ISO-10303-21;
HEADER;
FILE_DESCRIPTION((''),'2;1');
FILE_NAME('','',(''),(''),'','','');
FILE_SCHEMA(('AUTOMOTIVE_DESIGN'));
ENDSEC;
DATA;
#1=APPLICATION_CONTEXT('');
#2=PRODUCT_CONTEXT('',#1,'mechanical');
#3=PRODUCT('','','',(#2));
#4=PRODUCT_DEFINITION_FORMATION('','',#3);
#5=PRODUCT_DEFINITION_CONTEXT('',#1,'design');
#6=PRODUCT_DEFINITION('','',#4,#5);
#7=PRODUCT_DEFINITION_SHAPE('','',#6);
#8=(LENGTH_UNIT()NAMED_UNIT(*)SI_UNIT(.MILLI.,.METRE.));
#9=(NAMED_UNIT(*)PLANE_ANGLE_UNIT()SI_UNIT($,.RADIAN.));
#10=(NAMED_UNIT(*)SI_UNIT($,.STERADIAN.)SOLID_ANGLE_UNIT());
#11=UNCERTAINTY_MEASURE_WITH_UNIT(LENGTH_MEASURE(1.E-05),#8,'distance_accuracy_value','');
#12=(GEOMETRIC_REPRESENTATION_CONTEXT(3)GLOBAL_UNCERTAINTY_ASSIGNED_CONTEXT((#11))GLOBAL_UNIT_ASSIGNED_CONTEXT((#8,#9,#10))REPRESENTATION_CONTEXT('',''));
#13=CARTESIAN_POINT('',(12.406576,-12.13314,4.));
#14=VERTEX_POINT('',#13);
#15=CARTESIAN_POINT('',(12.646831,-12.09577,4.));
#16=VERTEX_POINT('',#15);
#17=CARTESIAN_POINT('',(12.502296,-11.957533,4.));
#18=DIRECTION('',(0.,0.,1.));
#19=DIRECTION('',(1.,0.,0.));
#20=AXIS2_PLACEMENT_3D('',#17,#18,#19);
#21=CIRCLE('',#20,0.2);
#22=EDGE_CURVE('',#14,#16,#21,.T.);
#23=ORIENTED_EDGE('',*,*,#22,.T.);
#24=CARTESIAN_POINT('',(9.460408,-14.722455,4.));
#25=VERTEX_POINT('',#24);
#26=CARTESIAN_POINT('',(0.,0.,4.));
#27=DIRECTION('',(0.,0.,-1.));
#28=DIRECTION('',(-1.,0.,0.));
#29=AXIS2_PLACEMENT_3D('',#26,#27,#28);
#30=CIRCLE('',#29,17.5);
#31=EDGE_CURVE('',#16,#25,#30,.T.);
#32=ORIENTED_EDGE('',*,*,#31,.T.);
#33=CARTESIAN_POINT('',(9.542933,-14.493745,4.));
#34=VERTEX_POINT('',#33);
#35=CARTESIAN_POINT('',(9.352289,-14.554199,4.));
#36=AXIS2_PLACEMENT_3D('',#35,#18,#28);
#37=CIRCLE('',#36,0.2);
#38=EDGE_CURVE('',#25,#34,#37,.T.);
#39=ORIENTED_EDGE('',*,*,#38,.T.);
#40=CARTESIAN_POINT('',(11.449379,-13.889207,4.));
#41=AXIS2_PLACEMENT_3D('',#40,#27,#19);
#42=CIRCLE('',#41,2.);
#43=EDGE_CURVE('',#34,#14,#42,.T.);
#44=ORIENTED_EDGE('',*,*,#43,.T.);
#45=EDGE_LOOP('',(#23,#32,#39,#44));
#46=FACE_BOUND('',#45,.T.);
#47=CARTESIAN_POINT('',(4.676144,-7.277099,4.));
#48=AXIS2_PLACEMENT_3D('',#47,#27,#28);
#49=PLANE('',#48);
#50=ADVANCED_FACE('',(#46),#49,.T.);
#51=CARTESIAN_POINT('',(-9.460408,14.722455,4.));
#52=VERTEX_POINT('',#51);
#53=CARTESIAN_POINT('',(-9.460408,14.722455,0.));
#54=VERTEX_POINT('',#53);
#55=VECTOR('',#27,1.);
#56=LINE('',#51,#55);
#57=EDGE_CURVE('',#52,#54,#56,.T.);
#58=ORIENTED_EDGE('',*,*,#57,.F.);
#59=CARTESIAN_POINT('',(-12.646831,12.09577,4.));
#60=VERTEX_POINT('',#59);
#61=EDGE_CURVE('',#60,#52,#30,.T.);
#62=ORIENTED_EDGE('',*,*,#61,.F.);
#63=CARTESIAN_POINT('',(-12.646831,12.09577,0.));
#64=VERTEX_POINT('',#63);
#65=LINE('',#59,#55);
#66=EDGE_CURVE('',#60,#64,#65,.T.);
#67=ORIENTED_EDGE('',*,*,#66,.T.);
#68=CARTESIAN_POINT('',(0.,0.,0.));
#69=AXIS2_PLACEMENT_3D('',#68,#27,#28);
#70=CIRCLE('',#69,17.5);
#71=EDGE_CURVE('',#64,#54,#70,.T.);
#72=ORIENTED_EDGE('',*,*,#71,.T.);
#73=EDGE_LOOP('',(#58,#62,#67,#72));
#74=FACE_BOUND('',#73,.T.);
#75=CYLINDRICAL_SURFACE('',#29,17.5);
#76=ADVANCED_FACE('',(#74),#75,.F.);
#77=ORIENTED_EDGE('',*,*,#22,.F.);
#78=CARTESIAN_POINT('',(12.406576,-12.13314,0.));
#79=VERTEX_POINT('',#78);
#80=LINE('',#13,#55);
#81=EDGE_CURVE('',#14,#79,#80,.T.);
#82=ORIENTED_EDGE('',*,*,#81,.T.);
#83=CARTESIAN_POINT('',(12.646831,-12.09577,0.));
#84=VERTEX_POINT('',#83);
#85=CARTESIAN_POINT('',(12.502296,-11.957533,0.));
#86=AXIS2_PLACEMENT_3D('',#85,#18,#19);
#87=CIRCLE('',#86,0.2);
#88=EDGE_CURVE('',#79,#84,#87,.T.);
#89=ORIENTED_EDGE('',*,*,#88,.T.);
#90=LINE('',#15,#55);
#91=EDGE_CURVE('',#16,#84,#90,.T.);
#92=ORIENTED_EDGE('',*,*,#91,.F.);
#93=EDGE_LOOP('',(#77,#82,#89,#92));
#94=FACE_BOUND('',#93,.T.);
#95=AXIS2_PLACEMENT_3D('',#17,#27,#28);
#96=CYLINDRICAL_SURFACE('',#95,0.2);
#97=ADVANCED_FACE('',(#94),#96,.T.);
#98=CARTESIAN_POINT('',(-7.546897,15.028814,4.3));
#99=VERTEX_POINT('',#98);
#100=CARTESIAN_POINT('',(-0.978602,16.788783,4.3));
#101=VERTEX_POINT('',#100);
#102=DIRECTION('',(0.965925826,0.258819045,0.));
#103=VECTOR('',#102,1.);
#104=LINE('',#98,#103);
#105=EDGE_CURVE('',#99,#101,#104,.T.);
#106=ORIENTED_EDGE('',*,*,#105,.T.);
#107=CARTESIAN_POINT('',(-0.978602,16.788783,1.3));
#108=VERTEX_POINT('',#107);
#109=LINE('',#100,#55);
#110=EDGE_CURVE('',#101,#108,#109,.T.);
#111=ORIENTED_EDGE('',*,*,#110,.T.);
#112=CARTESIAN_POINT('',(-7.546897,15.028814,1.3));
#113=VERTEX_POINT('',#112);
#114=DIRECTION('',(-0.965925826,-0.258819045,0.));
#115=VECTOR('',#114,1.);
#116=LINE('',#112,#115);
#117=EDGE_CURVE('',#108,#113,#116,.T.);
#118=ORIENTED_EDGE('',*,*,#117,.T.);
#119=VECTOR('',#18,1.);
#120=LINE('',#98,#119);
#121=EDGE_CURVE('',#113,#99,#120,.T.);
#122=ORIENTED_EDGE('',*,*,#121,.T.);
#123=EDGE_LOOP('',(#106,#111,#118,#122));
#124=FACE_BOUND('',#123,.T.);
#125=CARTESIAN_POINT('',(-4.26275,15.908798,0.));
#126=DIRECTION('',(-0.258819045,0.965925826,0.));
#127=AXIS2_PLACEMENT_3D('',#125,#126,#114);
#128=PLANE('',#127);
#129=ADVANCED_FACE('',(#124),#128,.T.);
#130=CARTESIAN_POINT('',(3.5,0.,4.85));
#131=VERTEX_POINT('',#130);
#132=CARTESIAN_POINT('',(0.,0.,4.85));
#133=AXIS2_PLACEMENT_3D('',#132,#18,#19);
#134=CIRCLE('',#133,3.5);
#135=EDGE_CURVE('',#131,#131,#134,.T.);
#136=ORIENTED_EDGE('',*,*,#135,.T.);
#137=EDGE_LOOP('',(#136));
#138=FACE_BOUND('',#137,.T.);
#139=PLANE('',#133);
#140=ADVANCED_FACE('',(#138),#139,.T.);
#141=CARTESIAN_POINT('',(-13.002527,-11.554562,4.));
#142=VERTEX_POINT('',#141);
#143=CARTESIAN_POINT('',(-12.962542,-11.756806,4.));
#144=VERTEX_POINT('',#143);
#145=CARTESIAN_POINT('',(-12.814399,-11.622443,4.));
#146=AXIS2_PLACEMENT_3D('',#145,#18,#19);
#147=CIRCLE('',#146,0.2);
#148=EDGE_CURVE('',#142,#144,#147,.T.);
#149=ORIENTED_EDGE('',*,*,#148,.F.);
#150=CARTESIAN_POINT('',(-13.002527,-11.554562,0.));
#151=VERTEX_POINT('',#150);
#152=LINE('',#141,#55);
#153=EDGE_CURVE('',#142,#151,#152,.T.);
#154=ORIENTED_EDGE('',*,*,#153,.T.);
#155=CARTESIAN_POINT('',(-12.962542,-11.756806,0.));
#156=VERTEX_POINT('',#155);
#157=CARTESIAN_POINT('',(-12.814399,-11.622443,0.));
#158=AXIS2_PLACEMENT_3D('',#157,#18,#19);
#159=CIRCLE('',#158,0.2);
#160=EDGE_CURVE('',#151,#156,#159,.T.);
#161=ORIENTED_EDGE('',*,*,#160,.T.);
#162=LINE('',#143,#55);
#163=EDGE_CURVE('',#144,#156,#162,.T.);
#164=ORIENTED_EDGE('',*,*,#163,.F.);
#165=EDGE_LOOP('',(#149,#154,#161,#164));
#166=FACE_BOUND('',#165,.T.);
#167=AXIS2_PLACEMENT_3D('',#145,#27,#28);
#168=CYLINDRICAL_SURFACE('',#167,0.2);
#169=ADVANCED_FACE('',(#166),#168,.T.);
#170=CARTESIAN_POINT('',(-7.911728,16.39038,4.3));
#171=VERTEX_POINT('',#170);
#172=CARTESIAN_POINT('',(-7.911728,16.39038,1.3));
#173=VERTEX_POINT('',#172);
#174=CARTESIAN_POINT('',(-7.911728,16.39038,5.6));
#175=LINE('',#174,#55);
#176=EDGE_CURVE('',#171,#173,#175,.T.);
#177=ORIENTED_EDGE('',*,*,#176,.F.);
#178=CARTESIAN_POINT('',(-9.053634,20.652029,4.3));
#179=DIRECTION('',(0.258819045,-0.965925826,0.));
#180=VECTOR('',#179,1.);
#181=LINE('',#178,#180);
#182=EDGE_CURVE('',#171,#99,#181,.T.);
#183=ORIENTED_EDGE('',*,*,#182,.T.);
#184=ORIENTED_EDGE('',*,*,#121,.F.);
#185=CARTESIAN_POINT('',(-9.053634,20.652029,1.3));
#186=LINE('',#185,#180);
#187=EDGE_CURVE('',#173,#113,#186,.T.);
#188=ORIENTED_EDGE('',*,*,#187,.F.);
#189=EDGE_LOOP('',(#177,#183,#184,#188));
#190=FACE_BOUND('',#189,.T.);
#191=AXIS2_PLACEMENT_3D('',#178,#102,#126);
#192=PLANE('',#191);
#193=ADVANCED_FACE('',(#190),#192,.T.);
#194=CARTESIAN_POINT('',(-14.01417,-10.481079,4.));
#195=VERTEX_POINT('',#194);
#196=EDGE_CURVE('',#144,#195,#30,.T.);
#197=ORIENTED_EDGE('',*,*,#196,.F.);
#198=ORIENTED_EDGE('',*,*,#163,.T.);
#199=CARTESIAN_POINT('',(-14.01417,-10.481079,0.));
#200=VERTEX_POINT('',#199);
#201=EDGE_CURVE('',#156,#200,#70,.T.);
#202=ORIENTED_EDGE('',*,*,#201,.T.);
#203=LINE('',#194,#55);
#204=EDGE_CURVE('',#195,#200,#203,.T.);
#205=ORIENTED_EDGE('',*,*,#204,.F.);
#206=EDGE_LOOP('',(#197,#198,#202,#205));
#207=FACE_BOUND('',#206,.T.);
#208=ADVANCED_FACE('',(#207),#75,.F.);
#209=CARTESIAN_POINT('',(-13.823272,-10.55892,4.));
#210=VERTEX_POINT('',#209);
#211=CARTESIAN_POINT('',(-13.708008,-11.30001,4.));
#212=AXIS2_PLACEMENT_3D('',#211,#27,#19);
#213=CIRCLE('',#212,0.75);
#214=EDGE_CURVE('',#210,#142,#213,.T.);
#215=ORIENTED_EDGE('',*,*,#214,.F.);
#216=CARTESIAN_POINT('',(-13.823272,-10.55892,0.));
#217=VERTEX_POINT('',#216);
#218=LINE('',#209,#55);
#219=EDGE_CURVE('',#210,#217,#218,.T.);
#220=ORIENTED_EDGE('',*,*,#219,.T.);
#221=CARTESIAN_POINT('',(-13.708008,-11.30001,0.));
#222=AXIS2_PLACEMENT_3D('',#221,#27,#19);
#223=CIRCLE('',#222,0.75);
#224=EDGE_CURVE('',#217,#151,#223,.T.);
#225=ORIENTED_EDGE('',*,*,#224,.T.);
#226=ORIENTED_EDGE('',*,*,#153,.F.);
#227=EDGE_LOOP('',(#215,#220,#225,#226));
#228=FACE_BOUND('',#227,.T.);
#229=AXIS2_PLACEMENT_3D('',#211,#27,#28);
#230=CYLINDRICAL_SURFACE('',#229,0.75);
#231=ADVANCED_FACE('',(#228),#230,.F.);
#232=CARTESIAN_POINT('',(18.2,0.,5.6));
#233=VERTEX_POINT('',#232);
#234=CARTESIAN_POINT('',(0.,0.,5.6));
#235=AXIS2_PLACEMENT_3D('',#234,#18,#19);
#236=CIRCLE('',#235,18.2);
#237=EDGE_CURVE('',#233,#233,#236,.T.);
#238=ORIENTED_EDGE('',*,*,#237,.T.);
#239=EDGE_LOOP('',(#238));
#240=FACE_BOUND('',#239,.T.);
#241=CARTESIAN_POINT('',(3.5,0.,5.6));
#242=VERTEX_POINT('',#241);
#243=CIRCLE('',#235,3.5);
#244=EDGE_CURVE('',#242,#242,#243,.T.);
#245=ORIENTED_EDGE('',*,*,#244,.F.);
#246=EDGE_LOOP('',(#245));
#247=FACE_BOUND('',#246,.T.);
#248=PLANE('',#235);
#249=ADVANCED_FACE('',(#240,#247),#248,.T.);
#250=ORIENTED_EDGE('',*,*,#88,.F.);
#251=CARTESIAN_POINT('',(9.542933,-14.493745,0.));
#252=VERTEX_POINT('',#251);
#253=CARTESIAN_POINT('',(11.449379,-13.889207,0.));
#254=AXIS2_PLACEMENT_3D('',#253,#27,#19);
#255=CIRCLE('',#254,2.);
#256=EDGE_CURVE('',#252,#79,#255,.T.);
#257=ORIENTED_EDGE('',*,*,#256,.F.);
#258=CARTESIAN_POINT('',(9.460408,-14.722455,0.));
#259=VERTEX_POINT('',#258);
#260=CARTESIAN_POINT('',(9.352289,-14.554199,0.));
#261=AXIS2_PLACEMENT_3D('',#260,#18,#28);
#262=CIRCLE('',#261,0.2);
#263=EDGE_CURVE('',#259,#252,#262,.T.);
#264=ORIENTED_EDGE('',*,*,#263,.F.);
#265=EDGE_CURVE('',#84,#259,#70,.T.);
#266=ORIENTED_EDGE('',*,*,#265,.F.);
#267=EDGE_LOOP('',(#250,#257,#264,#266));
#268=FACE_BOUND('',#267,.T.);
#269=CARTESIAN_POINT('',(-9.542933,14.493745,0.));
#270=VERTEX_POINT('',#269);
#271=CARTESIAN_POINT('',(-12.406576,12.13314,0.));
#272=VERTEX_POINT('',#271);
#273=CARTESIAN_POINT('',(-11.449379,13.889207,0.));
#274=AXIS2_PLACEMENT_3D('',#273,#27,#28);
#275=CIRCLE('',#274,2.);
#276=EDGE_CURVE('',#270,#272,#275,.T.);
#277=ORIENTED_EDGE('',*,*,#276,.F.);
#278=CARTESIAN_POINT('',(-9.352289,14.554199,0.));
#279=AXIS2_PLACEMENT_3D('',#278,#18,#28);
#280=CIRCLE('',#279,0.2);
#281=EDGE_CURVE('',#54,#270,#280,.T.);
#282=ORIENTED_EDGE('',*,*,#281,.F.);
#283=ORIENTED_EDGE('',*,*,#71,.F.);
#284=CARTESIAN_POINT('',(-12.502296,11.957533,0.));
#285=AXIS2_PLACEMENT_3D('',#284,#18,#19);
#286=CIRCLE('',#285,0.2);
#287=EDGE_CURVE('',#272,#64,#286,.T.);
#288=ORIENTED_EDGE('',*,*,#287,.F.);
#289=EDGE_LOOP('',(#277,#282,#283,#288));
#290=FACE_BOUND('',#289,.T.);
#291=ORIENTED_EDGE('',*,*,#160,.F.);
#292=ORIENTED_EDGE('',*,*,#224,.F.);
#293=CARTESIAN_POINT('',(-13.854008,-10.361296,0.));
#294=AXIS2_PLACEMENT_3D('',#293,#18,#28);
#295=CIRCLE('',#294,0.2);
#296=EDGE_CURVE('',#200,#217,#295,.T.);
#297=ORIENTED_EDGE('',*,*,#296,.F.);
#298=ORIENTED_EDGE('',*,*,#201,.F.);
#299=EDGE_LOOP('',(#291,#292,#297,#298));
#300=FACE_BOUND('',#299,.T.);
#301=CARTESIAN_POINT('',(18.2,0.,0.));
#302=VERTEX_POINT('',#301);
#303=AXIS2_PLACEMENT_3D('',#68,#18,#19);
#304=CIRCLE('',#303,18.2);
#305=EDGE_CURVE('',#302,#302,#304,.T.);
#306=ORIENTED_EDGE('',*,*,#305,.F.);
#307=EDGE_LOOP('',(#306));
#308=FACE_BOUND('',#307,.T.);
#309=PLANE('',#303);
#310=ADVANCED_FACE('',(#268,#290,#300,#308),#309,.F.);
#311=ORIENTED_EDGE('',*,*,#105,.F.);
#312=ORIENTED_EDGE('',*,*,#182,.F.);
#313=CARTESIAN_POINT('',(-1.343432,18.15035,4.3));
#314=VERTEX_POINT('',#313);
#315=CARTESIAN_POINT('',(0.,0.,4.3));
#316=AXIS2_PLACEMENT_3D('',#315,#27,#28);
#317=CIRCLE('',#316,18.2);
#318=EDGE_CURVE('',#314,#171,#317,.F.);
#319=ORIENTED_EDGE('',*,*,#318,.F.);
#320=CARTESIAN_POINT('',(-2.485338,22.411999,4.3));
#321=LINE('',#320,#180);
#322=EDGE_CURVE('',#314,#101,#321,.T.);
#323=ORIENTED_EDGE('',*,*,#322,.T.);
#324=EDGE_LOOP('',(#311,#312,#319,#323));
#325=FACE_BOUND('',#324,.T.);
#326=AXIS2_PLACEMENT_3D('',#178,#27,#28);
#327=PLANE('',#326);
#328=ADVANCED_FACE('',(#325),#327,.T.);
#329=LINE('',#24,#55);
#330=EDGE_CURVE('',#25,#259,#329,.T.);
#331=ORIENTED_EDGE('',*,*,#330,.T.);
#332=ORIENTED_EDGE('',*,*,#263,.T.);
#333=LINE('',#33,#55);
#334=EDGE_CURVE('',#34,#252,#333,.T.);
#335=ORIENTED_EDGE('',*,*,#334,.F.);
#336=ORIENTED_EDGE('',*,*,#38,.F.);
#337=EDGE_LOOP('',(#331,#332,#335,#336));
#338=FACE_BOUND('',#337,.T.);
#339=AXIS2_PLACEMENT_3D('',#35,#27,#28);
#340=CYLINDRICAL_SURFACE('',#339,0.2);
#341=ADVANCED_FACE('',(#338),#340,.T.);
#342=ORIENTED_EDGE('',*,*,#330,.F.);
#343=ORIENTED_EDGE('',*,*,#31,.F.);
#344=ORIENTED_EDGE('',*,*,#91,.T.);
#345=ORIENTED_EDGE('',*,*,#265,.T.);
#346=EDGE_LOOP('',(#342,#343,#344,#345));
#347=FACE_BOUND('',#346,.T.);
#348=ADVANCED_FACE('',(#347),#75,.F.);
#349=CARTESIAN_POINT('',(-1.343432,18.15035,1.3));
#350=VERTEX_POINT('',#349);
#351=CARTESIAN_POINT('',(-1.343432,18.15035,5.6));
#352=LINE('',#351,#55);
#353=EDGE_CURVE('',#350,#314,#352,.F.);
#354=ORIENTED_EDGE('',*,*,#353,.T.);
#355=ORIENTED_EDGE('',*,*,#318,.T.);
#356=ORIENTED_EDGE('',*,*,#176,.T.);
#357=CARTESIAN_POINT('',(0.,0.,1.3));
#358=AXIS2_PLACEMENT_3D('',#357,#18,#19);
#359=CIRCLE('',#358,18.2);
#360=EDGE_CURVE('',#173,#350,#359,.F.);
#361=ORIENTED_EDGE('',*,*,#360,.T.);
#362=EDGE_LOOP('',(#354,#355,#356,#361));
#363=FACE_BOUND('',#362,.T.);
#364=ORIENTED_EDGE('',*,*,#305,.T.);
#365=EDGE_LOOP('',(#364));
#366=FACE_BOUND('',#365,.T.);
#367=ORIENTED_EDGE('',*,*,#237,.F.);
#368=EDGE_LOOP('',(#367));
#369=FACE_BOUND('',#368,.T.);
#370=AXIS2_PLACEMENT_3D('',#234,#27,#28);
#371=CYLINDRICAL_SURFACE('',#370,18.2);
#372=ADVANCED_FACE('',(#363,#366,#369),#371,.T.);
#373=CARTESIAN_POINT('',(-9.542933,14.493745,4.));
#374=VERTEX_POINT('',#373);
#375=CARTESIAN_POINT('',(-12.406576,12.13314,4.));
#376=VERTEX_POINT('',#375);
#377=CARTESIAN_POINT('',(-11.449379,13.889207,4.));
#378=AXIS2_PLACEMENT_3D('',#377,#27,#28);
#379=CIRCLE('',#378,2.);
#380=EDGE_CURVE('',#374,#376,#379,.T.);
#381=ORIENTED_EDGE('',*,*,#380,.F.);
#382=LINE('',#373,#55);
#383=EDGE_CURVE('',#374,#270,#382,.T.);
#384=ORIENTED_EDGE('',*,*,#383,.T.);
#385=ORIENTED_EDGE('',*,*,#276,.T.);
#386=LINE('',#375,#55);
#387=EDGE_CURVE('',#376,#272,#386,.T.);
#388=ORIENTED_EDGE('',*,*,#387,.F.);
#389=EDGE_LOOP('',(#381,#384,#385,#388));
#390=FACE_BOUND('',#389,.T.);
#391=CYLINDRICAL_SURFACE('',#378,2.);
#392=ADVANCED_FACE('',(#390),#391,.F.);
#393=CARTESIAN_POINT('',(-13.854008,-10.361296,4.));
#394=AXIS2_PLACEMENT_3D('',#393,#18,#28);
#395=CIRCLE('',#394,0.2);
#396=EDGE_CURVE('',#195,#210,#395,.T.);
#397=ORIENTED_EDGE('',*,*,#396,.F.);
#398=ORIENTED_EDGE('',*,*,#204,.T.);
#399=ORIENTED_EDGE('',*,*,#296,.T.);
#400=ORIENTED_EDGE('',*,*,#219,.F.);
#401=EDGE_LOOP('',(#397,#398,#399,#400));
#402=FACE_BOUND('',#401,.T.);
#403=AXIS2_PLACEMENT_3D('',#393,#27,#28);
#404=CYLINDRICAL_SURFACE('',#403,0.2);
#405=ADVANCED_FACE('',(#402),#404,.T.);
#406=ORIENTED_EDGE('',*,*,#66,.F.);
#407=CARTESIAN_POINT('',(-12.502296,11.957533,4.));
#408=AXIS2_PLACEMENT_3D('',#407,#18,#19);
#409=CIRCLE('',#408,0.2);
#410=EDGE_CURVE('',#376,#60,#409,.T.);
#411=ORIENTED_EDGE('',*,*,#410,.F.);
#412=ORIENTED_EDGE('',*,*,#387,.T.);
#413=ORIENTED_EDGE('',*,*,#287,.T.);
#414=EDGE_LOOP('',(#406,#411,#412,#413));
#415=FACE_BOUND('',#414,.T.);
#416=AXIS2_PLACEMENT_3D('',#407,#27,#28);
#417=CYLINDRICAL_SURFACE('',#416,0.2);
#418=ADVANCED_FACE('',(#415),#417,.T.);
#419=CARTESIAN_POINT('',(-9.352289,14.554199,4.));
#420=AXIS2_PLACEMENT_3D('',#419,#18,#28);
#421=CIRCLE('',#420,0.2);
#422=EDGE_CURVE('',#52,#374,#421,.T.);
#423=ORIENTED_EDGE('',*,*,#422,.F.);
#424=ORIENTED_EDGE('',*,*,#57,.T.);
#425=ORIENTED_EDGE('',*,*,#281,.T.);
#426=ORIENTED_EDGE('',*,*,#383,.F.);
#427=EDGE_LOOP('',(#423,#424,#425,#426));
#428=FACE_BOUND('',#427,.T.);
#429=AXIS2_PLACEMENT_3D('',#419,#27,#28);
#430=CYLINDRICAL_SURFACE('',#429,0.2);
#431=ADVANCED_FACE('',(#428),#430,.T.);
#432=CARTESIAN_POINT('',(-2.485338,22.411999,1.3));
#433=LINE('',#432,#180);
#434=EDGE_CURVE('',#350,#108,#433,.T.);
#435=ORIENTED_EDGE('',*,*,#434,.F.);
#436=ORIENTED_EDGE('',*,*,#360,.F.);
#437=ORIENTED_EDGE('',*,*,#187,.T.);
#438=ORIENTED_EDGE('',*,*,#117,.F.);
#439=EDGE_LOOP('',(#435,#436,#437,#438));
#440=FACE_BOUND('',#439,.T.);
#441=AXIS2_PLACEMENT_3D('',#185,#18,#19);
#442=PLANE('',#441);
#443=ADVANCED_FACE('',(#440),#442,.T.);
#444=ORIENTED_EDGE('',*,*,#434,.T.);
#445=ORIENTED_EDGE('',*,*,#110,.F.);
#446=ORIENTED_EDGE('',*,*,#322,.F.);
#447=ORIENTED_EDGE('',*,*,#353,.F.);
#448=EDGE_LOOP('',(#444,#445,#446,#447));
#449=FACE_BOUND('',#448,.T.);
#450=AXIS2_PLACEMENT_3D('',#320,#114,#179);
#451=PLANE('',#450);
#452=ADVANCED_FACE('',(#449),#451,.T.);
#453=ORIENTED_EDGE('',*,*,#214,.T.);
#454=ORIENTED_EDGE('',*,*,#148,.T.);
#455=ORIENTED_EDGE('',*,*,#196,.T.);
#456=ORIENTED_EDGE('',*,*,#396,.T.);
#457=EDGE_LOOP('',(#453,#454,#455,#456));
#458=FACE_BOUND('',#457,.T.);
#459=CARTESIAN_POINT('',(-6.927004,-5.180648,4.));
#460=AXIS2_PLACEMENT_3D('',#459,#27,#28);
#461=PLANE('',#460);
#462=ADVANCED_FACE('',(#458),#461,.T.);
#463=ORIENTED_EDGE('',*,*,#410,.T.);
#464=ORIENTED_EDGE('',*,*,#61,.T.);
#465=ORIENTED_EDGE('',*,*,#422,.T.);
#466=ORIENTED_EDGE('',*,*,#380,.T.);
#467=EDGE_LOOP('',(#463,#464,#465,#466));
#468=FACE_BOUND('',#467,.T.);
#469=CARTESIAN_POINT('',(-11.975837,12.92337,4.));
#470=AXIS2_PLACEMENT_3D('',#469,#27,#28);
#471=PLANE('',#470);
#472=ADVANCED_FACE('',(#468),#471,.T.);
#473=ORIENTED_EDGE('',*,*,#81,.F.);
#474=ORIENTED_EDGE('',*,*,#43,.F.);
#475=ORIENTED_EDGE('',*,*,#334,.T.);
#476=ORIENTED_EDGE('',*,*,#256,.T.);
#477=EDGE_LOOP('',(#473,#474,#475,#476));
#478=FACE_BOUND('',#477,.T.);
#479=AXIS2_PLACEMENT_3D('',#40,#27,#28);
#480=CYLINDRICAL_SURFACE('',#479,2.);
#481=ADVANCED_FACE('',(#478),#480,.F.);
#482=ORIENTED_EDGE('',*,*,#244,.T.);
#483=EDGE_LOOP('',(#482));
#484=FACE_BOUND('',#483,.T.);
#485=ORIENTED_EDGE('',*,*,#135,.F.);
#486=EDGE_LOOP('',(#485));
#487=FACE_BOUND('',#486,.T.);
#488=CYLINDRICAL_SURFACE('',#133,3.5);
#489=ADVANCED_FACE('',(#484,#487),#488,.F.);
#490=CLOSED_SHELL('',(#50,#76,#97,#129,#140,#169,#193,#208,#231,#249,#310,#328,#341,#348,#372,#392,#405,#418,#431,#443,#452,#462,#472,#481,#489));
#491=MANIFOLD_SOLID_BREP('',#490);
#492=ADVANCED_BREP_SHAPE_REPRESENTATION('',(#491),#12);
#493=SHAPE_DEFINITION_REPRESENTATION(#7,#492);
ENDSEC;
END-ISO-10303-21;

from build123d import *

# Parameters (mm, degrees)
SKETCH1_R               = 18.2
BOSS_EXTRUDE1_DEPTH     = 5.6
CUT_EXTRUDE1_DEPTH      = 4
SKETCH3_R               = 3.5
CUT_EXTRUDE2_DEPTH      = 0.75
CUT_EXTRUDE3_REACH      = 44.811
CUT_EXTRUDE3_END_RADIUS = 18.2
CUT_EXTRUDE3_START      = 16.47
SKETCH5_W               = 3
SKETCH5_H               = 6.8


with BuildPart() as part:
    # Sketch1 → Boss-Extrude1 (new body)
    with BuildSketch(Plane.XY):
        Circle(SKETCH1_R)
    extrude(amount=BOSS_EXTRUDE1_DEPTH)

    # Sketch2 → Cut-Extrude1 (cut)
    with BuildSketch(Plane(origin=(0, 0, 0), x_dir=(-1, 0, 0), z_dir=(0, 0, -1))):
        with BuildLine():
            ThreePointArc((12.962542311, -11.756806404), (13.503430209, -11.131368855), (14.014170433, -10.481079481))
            ThreePointArc((14.014170433, -10.481079481), (13.929523254, -10.546491611), (13.823271504, -10.558919696))
            ThreePointArc((13.823271504, -10.558919696), (13.129289386, -10.822950961), (13.00252715, -11.554562213))
            ThreePointArc((13.00252715, -11.554562213), (13.010601193, -11.661233209), (12.962542311, -11.756806404))
        make_face()
        with BuildLine():
            ThreePointArc((-12.406576366, -12.133139552), (-10.177222153, -12.345957703), (-9.542933233, -14.493744783))
            ThreePointArc((-9.542933233, -14.493744783), (-9.540416363, -14.622080688), (-9.460407641, -14.722455205))
            ThreePointArc((-9.460407641, -14.722455205), (-11.131368855, -13.503430209), (-12.646831358, -12.095770194))
            ThreePointArc((-12.646831358, -12.095770194), (-12.53303462, -12.155156569), (-12.406576366, -12.133139552))
        make_face()
        with BuildLine():
            ThreePointArc((12.406576366, 12.133139552), (12.53303462, 12.155156569), (12.646831358, 12.095770194))
            ThreePointArc((12.646831358, 12.095770194), (11.131368855, 13.503430209), (9.460407641, 14.722455205))
            ThreePointArc((9.460407641, 14.722455205), (9.540416363, 14.622080688), (9.542933233, 14.493744783))
            ThreePointArc((9.542933233, 14.493744783), (10.177222153, 12.345957703), (12.406576366, 12.133139552))
        make_face()
    extrude(amount=-CUT_EXTRUDE1_DEPTH, mode=Mode.SUBTRACT)

    # Sketch3 → Cut-Extrude2 (cut)
    with BuildSketch(Plane.XY.offset(5.6)):
        Circle(SKETCH3_R)
    extrude(amount=-CUT_EXTRUDE2_DEPTH, mode=Mode.SUBTRACT)

    # Cut-Extrude3: up to this cylinder (the profile starts inside it)
    cut_extrude3_end = Plane(origin=(0, 0, 2.8), z_dir=(0, 0, -1)) * Cylinder(CUT_EXTRUDE3_END_RADIUS, 127.022, mode=Mode.PRIVATE)
    # Sketch5 → Cut-Extrude3 (cut, up to the surface)
    with BuildSketch(Plane(origin=(0, 0, 0), x_dir=(0, 0, -1), z_dir=(-0.25881904510252135, 0.9659258262890681, 0)).offset(CUT_EXTRUDE3_START), mode=Mode.PRIVATE) as cut_extrude3_sk1:
        with Locations((-2.8, 0)):
            Rectangle(SKETCH5_W, SKETCH5_H)
    cut_extrude3_tool1 = extrude(cut_extrude3_sk1.sketch, amount=CUT_EXTRUDE3_REACH, mode=Mode.PRIVATE) & cut_extrude3_end
    add(cut_extrude3_tool1.solids().sort_by_distance((-4.26275, 15.908798, 2.8))[0], mode=Mode.SUBTRACT)


solid = part.part
